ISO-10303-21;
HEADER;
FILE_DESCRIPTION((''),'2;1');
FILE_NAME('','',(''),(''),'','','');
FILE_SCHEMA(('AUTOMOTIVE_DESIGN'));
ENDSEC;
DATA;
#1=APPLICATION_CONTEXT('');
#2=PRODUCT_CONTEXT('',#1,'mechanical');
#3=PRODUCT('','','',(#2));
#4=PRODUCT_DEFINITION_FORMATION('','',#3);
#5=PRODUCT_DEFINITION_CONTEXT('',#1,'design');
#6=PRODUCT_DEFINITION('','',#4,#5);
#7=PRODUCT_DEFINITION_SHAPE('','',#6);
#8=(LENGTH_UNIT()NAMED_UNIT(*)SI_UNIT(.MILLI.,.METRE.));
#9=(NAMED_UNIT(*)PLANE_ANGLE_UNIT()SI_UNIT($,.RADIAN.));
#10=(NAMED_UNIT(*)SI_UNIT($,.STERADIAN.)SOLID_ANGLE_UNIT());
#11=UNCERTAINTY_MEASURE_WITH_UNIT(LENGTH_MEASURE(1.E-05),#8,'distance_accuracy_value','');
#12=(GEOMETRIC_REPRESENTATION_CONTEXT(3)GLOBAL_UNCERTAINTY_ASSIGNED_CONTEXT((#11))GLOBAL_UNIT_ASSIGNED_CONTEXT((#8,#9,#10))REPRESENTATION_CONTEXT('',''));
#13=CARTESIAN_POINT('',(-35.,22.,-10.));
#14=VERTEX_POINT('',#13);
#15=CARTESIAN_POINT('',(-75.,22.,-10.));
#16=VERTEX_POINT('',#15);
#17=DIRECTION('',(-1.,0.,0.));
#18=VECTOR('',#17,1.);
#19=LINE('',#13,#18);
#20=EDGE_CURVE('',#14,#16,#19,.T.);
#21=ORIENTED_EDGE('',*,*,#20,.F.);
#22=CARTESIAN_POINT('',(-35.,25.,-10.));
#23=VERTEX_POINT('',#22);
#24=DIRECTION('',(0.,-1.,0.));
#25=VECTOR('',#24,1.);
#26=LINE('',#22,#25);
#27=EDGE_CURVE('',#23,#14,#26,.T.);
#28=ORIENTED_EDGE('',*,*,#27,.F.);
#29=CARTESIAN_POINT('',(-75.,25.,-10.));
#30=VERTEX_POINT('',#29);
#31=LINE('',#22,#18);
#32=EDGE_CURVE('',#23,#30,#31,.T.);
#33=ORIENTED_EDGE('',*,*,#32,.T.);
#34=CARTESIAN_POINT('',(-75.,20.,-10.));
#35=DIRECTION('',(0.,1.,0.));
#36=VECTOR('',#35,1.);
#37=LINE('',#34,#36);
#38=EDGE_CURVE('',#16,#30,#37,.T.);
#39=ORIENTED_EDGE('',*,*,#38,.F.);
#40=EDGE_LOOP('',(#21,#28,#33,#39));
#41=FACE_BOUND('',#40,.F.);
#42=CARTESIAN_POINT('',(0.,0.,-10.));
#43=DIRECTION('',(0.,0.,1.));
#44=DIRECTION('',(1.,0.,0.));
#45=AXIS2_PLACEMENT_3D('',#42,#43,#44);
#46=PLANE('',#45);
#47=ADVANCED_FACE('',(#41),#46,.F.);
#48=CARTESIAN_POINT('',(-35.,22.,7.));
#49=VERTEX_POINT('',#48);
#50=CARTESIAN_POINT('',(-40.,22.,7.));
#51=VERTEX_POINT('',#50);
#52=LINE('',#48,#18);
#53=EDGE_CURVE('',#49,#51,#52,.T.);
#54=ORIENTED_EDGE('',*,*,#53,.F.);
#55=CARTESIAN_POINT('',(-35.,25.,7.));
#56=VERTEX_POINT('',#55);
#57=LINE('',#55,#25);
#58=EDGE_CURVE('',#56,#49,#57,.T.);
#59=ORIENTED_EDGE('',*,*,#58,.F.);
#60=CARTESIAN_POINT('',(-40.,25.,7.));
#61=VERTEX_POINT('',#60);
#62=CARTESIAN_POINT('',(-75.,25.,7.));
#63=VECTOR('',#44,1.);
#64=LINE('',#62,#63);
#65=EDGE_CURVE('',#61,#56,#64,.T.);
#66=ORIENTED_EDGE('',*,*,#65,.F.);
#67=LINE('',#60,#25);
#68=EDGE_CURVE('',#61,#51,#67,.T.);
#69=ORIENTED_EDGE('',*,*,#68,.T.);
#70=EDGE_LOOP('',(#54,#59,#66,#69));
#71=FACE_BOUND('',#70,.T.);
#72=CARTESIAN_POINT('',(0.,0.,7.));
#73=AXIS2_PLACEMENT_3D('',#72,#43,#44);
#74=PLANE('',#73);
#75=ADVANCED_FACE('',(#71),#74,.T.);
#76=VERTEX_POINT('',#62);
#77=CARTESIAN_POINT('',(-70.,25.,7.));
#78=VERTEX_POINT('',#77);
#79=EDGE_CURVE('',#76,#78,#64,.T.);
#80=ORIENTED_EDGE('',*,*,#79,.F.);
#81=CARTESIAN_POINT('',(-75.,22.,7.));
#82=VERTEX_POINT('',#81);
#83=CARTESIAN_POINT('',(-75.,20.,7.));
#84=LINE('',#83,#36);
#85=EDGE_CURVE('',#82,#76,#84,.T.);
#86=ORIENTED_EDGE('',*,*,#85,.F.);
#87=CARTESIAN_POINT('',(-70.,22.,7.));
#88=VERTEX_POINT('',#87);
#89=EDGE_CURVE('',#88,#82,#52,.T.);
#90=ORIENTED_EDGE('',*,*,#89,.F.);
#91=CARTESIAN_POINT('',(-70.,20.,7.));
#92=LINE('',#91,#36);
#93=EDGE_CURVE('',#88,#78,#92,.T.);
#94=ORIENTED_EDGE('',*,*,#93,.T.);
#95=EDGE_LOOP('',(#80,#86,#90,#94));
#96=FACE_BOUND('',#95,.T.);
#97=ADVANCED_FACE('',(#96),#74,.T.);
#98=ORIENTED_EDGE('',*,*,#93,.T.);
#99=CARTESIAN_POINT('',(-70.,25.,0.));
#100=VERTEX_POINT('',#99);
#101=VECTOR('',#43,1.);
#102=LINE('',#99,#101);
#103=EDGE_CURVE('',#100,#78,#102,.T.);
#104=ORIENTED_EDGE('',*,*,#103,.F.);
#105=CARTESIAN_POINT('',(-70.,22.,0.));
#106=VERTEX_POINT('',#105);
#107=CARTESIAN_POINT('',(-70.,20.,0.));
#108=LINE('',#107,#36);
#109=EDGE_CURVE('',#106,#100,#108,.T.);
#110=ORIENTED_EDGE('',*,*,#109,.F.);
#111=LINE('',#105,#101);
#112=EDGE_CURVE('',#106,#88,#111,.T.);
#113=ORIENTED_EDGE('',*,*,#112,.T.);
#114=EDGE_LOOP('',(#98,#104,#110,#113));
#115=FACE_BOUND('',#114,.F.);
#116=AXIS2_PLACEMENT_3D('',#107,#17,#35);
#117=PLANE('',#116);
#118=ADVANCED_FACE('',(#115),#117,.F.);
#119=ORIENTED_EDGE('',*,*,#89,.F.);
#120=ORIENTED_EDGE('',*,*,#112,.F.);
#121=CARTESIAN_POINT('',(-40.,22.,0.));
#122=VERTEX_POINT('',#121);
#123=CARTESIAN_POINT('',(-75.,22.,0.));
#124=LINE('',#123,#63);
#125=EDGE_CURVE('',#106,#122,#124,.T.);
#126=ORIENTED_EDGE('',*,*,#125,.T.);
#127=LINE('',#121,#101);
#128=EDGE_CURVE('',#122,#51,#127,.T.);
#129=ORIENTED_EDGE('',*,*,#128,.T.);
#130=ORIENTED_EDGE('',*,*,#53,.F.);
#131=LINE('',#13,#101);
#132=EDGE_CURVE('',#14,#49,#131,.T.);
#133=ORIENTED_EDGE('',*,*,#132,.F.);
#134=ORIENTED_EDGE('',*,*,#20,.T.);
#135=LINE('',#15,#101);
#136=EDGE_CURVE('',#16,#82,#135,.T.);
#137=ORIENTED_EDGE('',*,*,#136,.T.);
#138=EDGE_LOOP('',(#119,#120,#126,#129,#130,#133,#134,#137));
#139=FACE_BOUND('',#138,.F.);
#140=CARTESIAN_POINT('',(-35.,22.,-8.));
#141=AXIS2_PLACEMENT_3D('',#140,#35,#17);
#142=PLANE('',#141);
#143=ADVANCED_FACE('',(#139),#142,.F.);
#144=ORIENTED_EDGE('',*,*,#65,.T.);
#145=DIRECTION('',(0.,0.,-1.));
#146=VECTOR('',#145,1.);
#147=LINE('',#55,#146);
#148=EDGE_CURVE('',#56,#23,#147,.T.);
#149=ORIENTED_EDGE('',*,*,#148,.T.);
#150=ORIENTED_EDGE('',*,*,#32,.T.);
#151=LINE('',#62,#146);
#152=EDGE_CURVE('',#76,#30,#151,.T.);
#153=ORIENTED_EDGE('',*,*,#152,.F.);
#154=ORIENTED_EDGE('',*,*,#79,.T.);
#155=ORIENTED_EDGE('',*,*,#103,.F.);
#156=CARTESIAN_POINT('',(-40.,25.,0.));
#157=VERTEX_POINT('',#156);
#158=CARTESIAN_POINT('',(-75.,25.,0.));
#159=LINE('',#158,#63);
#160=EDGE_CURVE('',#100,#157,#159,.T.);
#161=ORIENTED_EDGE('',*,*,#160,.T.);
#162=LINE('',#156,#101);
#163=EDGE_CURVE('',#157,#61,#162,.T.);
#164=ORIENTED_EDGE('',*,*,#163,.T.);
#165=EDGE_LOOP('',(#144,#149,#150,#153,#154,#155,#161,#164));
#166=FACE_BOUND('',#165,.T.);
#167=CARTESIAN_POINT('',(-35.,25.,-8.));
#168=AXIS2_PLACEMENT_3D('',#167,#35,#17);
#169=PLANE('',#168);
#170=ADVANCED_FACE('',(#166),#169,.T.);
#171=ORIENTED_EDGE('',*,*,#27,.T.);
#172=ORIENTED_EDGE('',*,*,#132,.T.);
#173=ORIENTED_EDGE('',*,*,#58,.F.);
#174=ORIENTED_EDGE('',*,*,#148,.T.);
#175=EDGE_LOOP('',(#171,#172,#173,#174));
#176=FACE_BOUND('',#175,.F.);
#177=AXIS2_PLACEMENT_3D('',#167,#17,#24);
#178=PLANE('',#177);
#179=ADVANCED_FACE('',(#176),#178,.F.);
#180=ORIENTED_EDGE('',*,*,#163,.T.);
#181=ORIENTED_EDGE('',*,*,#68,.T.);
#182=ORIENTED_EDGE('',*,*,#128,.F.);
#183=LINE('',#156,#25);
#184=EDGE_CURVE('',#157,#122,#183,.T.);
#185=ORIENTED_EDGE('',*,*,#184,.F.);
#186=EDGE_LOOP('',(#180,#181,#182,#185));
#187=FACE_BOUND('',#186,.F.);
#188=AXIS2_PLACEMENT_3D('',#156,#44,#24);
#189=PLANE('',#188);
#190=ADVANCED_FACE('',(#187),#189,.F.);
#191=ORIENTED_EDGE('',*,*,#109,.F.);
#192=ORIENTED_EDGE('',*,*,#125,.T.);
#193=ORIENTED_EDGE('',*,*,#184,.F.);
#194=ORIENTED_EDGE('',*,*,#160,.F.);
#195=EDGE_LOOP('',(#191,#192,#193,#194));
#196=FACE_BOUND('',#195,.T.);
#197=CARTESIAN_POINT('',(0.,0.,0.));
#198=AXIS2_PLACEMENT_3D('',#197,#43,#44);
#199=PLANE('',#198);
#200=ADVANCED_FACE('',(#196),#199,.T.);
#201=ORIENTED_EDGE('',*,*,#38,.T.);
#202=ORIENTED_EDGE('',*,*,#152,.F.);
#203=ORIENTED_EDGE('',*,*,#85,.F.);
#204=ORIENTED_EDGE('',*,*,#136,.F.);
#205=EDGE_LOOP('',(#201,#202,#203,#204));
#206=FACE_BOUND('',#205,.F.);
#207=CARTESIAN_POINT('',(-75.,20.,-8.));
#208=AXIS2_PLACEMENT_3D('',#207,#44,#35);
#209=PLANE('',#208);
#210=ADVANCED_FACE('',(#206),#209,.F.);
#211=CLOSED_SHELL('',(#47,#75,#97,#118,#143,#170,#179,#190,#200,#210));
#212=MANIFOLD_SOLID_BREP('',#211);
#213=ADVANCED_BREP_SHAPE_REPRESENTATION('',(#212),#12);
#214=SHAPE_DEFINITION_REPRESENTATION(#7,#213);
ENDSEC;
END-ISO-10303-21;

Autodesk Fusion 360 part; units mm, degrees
sketch "Sketch1" plane through (0, 0, 0) normal (0, 0, 1) x (1, 0, 0)
  line L0 (-75, 25) -> (-35, 25)
  line L1 (-35, 25) -> (-35, 20)
  line L2 (-35, 20) -> (-75, 20)
  line L3 (-75, 20) -> (-75, 25)
  line L4 (-75, 20) -> (-70, 20)
  line L5 (-70, 20) -> (-70, 25)
  line L6 (-70, 25) -> (-75, 25)
  line L7 (-75, 25) -> (-75, 20)
  line L8 (-40, 20) -> (-35, 20)
  line L9 (-35, 20) -> (-35, 25)
  line L10 (-35, 25) -> (-40, 25)
  line L11 (-40, 25) -> (-40, 20)
  dimension "d1" = 40
  dimension "d2" = 5
extrude "Extrude1" add sketch "Sketch1" along normal blind 7 contours L0 L2 L3 L4 L5 L6 L7 | L0 L1 L2 L8 L9 L10 L11 makes body 1 at (-70, 21.6667, 2.3333) makes body 2 at (-38.3333, 25, 2.3333)
extrude "Extrude2" add sketch "Sketch1" against normal blind 8 bodies 1 2
extrude "Extrude3" add 1 faces at (-61.6667, 21.6667, -8) along direction (0, 0, -1) blind 2 on bodies 1 bodies 1
extrude "Extrude4" cut 1 faces at (-50, 20, -6.6667) along direction (0, 1, 0) blind 2 on bodies 1 bodies 1
sketch "Sketch2" plane through (0, 25, 0) normal (0, 1, 0) x (-1, 0, 0)
  line L0 (75, -10) -> (75, 7)
  line L1 (75, 7) -> (70, 7)
  line L2 (70, 7) -> (70, 0)
  line L3 (70, 0) -> (40, 0)
  line L4 (40, 0) -> (40, 7)
  line L5 (40, 7) -> (35, 7)
  line L6 (35, 7) -> (35, -10)
  line L7 (35, -10) -> (75, -10)
